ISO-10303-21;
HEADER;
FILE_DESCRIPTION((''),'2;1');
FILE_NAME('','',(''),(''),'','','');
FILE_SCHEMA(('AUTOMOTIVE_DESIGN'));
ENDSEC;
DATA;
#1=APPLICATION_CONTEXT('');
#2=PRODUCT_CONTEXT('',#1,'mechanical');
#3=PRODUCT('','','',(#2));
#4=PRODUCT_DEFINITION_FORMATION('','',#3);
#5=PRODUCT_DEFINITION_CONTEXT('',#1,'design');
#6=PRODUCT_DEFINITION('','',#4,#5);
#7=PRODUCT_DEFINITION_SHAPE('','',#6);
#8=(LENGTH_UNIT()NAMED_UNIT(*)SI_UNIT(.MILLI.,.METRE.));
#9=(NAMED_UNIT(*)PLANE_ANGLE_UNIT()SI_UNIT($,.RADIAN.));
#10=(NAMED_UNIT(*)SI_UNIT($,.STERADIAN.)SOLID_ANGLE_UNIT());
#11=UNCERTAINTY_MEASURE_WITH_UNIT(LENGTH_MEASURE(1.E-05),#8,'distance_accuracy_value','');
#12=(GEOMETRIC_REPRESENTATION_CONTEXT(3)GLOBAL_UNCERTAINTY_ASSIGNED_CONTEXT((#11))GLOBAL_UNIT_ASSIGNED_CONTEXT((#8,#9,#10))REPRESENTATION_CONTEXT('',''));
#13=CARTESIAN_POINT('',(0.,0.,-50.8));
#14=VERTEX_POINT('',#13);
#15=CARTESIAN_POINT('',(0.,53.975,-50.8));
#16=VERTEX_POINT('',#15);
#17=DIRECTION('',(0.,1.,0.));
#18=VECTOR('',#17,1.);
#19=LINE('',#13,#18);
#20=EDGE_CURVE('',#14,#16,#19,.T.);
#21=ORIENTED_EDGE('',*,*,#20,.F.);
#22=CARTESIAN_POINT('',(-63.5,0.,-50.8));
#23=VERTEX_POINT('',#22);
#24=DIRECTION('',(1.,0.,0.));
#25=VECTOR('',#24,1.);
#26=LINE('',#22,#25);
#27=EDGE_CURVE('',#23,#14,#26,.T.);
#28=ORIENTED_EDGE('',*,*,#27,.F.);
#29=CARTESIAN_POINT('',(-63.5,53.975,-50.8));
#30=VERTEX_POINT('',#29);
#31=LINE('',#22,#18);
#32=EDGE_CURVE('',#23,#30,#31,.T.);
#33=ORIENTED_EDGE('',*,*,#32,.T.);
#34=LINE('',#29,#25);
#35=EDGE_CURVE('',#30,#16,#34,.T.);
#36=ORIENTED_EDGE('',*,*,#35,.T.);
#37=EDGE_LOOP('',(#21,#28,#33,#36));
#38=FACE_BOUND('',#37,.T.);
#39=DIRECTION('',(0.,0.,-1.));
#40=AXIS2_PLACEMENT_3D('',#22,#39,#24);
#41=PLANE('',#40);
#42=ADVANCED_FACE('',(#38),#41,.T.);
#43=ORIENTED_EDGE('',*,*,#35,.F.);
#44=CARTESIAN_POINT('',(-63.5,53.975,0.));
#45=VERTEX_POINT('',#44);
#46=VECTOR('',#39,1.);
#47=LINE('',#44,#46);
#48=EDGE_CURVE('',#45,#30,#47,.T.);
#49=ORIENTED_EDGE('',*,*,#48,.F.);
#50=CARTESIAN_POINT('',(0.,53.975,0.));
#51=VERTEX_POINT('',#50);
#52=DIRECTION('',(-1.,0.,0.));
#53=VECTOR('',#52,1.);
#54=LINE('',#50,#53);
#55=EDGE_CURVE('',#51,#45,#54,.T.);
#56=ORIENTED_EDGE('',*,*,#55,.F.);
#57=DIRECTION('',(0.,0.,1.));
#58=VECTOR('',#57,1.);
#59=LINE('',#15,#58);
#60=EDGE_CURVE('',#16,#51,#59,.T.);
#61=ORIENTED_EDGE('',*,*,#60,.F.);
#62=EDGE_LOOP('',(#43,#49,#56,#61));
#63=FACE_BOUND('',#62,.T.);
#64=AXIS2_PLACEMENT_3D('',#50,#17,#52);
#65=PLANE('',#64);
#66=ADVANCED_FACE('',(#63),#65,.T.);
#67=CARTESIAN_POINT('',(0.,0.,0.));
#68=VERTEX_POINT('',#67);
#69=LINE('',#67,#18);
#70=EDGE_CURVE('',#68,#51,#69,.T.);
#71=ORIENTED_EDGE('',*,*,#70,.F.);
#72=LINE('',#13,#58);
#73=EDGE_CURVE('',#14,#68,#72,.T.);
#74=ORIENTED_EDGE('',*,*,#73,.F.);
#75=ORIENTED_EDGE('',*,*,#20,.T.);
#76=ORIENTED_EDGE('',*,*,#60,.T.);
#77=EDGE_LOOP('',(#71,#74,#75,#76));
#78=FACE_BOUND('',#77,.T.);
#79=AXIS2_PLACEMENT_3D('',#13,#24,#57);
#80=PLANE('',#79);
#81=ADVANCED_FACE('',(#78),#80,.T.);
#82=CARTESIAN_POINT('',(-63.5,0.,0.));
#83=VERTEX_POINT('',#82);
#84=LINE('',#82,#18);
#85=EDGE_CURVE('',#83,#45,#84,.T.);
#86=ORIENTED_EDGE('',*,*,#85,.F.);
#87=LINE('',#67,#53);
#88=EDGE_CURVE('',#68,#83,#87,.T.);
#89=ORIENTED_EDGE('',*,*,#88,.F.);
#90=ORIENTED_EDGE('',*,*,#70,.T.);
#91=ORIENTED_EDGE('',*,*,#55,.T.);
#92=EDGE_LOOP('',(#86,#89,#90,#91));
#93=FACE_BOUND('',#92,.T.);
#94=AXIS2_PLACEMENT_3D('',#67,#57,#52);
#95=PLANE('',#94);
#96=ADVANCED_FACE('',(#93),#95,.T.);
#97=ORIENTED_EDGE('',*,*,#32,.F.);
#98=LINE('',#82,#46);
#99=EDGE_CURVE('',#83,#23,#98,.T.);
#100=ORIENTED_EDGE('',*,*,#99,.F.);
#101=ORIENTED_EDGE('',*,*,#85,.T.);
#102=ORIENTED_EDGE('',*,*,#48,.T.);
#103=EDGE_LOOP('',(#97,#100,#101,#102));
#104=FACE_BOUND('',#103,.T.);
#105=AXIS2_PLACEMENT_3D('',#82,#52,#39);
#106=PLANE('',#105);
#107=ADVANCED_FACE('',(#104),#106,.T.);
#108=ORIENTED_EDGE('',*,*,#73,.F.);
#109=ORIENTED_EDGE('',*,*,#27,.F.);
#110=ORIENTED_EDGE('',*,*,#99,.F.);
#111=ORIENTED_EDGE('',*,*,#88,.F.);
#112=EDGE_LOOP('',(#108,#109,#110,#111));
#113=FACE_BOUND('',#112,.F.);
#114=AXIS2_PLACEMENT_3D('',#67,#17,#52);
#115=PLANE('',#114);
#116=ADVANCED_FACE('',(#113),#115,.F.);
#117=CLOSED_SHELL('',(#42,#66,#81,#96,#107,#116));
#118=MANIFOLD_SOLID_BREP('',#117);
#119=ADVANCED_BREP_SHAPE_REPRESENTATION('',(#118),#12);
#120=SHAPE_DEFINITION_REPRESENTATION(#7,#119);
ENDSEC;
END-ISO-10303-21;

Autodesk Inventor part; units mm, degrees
ref_plane "YZ Plane" through (0, 0, 0) normal (1, 0, 0) x (0, 1, 0)
ref_plane "XZ Plane" through (0, 0, 0) normal (0, 1, 0) x (-1, 0, 0)
ref_plane "XY Plane" through (0, 0, 0) normal (0, 0, 1) x (1, 0, 0)
sketch "Sketch1" plane through (0, 0, 0) normal (0, 1, 0) x (-1, 0, 0)
  line L0 (0, 0) -> (63.5, 0)
  line L1 (63.5, 0) -> (63.5, -50.8)
  line L2 (63.5, -50.8) -> (0, -50.8)
  line L3 (0, -50.8) -> (0, 0)
  dimension "d0" = 63.5
  dimension "d1" = 50.8
extrude "Extrusion1" add sketch "Sketch1" along normal blind 53.975
properties part number "Gnd_Terminal"
